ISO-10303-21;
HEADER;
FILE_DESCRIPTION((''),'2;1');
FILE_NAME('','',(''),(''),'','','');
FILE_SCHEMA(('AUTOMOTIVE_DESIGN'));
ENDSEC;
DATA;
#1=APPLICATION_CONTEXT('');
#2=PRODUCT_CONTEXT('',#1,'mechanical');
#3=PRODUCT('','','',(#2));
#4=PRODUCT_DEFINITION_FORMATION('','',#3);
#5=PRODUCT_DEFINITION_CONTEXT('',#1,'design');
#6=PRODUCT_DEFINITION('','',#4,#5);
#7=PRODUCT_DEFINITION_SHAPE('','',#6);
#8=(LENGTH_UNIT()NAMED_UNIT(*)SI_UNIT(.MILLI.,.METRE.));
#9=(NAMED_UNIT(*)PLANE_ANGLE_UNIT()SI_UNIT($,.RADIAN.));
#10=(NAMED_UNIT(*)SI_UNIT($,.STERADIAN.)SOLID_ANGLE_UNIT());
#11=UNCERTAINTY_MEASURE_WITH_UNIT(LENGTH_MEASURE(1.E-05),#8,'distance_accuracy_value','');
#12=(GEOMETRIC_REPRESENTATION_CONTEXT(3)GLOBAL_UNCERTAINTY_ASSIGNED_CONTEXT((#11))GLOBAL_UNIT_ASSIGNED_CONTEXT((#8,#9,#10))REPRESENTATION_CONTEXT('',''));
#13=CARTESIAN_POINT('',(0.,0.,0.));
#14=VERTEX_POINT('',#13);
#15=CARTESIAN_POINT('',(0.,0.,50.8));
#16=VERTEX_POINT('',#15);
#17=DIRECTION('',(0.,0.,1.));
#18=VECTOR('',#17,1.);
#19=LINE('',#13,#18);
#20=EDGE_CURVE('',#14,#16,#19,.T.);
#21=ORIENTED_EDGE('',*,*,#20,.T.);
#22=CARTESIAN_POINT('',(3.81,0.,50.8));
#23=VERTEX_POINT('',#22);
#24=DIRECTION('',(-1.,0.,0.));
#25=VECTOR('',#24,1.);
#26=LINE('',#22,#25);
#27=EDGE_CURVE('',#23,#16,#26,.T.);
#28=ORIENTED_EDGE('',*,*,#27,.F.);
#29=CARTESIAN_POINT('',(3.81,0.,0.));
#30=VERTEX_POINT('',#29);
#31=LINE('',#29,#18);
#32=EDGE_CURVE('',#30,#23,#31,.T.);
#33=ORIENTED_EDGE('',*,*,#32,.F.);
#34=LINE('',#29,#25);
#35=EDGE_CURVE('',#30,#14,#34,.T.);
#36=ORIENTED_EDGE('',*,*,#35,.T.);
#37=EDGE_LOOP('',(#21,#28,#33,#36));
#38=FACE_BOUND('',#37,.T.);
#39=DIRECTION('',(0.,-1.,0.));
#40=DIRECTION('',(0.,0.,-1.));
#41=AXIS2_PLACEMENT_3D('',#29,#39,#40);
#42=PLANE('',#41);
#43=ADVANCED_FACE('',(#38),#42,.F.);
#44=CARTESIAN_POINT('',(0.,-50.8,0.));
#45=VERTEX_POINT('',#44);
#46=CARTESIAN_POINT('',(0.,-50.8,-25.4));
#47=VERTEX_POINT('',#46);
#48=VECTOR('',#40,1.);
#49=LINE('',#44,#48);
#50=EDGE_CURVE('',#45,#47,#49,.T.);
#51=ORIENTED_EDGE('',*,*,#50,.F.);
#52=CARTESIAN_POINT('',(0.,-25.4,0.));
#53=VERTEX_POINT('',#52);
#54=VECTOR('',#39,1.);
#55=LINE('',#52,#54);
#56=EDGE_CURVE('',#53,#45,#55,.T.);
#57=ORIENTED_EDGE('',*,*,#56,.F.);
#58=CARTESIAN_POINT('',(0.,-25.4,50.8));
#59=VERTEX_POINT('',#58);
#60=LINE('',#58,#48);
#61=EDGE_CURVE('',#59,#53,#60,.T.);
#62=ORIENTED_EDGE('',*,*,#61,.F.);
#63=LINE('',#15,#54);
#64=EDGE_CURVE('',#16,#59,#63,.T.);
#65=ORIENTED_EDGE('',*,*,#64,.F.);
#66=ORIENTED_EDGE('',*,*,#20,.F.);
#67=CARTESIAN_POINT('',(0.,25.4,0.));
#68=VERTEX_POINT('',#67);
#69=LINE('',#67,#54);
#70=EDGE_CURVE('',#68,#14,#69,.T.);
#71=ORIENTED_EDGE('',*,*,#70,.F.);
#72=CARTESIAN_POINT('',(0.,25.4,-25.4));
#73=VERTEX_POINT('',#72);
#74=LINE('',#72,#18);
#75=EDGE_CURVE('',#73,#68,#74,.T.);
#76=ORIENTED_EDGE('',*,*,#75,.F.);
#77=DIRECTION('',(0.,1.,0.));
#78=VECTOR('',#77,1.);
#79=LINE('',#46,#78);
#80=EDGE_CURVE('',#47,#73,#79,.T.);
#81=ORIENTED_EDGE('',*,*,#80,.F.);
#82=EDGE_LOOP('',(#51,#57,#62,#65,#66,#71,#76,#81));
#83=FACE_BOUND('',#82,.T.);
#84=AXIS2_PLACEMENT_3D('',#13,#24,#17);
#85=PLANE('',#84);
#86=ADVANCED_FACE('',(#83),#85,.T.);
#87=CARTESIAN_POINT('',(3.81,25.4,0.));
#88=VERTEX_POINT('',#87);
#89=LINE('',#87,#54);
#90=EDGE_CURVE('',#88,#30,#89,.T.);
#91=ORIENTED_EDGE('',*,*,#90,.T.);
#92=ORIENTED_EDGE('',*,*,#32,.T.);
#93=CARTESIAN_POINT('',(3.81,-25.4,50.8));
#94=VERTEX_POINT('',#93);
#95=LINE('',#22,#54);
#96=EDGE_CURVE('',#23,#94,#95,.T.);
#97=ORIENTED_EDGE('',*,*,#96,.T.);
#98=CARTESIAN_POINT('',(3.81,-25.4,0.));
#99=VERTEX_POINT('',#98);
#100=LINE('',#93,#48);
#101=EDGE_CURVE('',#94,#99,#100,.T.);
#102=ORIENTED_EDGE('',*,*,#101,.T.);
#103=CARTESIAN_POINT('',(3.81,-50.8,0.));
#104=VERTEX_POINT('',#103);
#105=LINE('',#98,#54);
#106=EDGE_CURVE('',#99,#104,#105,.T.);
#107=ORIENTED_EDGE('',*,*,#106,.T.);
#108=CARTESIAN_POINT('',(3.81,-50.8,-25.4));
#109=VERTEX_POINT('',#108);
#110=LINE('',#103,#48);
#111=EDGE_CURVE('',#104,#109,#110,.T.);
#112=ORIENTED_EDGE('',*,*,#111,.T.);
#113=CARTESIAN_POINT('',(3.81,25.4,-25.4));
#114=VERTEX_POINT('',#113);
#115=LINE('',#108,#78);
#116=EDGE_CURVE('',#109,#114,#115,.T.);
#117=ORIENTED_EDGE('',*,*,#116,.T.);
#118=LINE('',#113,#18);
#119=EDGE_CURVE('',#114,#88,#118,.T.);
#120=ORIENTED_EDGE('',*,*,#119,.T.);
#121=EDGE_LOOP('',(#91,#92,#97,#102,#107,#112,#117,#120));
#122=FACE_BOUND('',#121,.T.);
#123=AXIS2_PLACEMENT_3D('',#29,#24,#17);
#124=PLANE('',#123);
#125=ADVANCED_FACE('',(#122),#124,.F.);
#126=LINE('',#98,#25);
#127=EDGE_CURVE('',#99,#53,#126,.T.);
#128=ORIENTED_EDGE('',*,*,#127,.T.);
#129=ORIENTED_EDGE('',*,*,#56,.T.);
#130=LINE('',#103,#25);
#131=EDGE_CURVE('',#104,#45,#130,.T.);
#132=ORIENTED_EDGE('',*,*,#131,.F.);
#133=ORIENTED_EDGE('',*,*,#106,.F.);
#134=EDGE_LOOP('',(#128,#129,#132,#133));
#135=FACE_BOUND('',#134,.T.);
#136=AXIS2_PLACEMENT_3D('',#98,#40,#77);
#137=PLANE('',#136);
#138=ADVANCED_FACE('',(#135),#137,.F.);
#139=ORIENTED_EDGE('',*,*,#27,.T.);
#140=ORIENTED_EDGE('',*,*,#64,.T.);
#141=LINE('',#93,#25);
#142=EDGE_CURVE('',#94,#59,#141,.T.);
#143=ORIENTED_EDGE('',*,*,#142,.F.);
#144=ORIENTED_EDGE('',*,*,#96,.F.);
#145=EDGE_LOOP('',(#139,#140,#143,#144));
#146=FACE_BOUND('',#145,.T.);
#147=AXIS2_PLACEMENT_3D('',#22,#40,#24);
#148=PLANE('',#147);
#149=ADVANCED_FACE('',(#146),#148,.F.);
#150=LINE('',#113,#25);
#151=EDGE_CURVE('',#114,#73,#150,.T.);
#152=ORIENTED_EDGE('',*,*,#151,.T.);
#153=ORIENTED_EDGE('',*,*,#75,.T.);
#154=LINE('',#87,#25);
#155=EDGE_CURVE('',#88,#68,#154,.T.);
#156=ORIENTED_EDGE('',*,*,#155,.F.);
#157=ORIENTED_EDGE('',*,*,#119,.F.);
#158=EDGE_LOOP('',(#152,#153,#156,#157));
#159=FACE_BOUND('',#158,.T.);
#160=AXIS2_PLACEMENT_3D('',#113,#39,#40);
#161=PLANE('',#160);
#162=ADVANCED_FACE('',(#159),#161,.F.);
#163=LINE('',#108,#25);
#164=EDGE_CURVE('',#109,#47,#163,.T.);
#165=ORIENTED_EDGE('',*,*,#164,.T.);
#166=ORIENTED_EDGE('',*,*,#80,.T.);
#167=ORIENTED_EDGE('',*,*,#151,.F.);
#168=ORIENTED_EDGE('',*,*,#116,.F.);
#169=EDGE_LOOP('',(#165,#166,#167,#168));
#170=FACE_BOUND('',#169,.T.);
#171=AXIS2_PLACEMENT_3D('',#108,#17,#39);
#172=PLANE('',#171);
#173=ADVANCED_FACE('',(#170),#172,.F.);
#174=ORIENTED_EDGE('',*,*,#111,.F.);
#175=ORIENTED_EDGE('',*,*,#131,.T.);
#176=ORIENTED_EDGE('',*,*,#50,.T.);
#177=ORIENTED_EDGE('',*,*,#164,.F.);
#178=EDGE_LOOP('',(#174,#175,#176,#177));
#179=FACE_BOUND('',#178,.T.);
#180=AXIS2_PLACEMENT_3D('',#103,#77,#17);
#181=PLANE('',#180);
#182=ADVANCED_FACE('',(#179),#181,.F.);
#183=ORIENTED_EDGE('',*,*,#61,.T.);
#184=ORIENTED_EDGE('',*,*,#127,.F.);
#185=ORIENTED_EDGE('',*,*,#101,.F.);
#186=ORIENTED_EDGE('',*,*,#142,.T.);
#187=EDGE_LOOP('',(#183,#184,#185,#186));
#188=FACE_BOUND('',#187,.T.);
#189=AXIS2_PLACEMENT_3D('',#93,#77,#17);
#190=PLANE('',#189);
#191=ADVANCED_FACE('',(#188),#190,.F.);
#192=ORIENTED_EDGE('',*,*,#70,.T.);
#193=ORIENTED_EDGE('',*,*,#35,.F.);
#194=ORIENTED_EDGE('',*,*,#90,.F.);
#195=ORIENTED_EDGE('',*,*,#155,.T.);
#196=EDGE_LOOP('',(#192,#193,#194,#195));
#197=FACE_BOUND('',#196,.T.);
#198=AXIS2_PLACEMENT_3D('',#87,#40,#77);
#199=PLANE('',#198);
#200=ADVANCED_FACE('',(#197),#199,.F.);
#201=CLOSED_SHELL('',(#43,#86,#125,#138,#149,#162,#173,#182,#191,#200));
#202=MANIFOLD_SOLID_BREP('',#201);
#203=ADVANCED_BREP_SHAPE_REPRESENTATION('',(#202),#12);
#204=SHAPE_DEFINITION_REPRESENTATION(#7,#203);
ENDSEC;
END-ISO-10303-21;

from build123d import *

# Parameters (mm, degrees)
BOSS_EXTRUDE1_DEPTH = 3.81


with BuildPart() as part:
    # Sketch1 → Boss-Extrude1 (new body)
    with BuildSketch(Plane(origin=(0, 0, 0), x_dir=(0, 0, -1), z_dir=(1, 0, 0))):
        Polygon((0, 0), (-50.8, 0), (-50.8, -25.4), (0, -25.4), (0, -50.8), (25.4, -50.8), (25.4, 25.4), (0, 25.4), align=None)
    extrude(amount=BOSS_EXTRUDE1_DEPTH)


solid = part.part
